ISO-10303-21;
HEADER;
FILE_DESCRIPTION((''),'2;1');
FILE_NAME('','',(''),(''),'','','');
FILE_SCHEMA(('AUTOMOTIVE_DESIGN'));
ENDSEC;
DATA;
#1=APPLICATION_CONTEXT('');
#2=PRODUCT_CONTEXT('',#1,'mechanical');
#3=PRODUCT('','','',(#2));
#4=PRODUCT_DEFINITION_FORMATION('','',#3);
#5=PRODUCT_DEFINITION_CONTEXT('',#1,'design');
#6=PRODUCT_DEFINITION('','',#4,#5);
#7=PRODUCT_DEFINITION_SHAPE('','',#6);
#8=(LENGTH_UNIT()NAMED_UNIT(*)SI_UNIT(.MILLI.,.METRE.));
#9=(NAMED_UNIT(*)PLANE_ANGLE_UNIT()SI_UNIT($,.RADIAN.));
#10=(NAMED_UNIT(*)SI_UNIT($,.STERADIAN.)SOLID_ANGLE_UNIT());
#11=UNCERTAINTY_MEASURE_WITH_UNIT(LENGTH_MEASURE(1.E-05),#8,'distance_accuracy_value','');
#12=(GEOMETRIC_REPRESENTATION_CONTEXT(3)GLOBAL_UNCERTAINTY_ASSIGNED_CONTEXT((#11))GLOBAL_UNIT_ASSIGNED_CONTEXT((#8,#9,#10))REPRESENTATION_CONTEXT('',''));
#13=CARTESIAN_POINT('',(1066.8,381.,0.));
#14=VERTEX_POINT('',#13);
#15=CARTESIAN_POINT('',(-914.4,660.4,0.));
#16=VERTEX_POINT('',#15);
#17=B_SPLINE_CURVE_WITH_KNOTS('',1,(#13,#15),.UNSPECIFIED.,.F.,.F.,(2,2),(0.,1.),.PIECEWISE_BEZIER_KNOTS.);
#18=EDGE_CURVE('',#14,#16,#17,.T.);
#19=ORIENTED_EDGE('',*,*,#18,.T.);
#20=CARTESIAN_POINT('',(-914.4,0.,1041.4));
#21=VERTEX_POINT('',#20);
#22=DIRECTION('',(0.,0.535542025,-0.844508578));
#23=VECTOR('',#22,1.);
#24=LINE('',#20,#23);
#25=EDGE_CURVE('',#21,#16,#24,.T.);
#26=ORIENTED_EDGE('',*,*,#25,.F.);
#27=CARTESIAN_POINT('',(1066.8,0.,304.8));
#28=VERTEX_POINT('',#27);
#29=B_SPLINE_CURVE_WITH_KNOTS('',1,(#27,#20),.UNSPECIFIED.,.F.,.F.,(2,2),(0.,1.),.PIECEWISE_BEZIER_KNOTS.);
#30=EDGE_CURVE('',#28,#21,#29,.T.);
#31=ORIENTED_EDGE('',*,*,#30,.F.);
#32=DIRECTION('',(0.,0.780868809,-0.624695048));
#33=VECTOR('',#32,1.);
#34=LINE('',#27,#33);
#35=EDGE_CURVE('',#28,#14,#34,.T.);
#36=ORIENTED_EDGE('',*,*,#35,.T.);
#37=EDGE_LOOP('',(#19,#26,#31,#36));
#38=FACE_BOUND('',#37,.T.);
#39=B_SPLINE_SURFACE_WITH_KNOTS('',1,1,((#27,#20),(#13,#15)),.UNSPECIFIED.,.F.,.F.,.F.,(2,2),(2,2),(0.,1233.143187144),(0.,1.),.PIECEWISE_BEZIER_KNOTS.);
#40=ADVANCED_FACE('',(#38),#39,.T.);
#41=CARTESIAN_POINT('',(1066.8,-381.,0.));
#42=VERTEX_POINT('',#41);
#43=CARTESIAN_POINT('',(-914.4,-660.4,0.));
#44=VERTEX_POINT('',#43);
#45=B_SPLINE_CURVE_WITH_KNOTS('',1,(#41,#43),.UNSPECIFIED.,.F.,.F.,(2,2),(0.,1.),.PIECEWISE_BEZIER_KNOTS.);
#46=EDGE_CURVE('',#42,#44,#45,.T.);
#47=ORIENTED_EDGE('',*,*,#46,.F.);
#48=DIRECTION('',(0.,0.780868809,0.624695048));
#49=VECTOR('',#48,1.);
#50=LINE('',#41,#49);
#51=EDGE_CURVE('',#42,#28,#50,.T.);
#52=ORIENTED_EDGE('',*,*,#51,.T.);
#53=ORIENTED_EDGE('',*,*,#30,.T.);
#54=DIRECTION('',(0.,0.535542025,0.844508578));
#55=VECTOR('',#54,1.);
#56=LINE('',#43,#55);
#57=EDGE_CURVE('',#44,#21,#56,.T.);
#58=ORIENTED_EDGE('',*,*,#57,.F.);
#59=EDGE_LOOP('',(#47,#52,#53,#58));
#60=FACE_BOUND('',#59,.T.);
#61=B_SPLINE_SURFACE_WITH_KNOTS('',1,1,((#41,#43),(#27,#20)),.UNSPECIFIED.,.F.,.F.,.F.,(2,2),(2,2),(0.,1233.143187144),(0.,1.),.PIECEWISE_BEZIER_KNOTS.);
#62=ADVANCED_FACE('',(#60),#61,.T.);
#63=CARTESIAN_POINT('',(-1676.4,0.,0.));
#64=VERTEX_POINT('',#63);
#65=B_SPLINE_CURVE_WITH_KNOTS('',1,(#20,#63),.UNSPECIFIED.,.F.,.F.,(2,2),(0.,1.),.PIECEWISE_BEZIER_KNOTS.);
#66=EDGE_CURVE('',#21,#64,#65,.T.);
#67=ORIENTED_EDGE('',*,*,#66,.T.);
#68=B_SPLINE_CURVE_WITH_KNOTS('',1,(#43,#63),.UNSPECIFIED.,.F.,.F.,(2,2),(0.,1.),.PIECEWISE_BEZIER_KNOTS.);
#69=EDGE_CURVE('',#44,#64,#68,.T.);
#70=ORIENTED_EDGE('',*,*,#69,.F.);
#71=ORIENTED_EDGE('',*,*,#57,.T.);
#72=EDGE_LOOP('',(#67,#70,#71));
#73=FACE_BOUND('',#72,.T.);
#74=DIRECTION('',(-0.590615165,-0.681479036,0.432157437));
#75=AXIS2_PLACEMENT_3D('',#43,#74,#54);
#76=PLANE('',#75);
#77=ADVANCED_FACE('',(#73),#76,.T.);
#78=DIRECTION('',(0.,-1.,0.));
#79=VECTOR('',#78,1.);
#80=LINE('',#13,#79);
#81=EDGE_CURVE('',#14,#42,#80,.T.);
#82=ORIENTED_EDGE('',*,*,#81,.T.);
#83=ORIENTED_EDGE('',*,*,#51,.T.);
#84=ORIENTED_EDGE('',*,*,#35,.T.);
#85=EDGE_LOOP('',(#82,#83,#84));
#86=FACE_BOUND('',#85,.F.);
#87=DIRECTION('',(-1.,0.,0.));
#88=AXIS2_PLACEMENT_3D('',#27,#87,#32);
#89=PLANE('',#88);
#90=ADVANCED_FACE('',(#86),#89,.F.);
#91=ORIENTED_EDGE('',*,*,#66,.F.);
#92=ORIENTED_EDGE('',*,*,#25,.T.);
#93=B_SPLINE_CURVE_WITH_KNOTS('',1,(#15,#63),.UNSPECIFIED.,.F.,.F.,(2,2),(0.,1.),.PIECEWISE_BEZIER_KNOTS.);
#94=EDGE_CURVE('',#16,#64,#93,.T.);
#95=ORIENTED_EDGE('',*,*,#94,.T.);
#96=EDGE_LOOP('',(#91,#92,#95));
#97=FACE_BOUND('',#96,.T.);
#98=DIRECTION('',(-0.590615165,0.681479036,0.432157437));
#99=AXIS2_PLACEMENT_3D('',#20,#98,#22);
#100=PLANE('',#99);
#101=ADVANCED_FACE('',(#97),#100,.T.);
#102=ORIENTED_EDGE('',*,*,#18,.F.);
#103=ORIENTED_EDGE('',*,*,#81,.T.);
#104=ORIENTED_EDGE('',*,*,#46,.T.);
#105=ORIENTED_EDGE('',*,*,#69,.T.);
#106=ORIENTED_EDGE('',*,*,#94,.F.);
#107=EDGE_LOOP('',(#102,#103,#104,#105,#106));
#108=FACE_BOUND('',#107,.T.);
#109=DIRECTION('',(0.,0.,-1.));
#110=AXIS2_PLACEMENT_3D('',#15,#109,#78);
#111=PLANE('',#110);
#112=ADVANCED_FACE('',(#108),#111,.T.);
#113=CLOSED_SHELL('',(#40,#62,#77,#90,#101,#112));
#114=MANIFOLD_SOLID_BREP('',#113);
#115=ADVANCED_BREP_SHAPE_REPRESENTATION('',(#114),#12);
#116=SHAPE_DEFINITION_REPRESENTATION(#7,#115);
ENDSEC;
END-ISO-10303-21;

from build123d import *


with BuildPart() as f7:
    # F6 (on face) → F7 section 0
    with BuildSketch(Plane(origin=(1066.8, 0, 0), x_dir=(0, -1, 0), z_dir=(-1, 0, 0))):
        Polygon((0, 304.8), (-381, 0), (381, 0), align=None)
    # F5 (on face) → F7 section 1
    with BuildSketch(Plane(origin=(-914.4, 0, 0), x_dir=(0, -1, 0), z_dir=(-1, 0, 0))):
        Polygon((0, 1041.4), (-660.4, 0), (660.4, 0), align=None)
    loft()

    # F7_face (on face) → F8 section 0
    with BuildSketch(Plane(origin=(-914.4, 0, 347.1333333333), x_dir=(0, -1, 0), z_dir=(-1, 0, 0)), mode=Mode.PRIVATE) as f8_s0:
        Polygon((0, 694.2666666667), (-660.4, -347.1333333333), (660.4, -347.1333333333), align=None)
    loft([f8_s0.sketch, Vertex(-1676.4, 0, 0)])


solid = f7.part
